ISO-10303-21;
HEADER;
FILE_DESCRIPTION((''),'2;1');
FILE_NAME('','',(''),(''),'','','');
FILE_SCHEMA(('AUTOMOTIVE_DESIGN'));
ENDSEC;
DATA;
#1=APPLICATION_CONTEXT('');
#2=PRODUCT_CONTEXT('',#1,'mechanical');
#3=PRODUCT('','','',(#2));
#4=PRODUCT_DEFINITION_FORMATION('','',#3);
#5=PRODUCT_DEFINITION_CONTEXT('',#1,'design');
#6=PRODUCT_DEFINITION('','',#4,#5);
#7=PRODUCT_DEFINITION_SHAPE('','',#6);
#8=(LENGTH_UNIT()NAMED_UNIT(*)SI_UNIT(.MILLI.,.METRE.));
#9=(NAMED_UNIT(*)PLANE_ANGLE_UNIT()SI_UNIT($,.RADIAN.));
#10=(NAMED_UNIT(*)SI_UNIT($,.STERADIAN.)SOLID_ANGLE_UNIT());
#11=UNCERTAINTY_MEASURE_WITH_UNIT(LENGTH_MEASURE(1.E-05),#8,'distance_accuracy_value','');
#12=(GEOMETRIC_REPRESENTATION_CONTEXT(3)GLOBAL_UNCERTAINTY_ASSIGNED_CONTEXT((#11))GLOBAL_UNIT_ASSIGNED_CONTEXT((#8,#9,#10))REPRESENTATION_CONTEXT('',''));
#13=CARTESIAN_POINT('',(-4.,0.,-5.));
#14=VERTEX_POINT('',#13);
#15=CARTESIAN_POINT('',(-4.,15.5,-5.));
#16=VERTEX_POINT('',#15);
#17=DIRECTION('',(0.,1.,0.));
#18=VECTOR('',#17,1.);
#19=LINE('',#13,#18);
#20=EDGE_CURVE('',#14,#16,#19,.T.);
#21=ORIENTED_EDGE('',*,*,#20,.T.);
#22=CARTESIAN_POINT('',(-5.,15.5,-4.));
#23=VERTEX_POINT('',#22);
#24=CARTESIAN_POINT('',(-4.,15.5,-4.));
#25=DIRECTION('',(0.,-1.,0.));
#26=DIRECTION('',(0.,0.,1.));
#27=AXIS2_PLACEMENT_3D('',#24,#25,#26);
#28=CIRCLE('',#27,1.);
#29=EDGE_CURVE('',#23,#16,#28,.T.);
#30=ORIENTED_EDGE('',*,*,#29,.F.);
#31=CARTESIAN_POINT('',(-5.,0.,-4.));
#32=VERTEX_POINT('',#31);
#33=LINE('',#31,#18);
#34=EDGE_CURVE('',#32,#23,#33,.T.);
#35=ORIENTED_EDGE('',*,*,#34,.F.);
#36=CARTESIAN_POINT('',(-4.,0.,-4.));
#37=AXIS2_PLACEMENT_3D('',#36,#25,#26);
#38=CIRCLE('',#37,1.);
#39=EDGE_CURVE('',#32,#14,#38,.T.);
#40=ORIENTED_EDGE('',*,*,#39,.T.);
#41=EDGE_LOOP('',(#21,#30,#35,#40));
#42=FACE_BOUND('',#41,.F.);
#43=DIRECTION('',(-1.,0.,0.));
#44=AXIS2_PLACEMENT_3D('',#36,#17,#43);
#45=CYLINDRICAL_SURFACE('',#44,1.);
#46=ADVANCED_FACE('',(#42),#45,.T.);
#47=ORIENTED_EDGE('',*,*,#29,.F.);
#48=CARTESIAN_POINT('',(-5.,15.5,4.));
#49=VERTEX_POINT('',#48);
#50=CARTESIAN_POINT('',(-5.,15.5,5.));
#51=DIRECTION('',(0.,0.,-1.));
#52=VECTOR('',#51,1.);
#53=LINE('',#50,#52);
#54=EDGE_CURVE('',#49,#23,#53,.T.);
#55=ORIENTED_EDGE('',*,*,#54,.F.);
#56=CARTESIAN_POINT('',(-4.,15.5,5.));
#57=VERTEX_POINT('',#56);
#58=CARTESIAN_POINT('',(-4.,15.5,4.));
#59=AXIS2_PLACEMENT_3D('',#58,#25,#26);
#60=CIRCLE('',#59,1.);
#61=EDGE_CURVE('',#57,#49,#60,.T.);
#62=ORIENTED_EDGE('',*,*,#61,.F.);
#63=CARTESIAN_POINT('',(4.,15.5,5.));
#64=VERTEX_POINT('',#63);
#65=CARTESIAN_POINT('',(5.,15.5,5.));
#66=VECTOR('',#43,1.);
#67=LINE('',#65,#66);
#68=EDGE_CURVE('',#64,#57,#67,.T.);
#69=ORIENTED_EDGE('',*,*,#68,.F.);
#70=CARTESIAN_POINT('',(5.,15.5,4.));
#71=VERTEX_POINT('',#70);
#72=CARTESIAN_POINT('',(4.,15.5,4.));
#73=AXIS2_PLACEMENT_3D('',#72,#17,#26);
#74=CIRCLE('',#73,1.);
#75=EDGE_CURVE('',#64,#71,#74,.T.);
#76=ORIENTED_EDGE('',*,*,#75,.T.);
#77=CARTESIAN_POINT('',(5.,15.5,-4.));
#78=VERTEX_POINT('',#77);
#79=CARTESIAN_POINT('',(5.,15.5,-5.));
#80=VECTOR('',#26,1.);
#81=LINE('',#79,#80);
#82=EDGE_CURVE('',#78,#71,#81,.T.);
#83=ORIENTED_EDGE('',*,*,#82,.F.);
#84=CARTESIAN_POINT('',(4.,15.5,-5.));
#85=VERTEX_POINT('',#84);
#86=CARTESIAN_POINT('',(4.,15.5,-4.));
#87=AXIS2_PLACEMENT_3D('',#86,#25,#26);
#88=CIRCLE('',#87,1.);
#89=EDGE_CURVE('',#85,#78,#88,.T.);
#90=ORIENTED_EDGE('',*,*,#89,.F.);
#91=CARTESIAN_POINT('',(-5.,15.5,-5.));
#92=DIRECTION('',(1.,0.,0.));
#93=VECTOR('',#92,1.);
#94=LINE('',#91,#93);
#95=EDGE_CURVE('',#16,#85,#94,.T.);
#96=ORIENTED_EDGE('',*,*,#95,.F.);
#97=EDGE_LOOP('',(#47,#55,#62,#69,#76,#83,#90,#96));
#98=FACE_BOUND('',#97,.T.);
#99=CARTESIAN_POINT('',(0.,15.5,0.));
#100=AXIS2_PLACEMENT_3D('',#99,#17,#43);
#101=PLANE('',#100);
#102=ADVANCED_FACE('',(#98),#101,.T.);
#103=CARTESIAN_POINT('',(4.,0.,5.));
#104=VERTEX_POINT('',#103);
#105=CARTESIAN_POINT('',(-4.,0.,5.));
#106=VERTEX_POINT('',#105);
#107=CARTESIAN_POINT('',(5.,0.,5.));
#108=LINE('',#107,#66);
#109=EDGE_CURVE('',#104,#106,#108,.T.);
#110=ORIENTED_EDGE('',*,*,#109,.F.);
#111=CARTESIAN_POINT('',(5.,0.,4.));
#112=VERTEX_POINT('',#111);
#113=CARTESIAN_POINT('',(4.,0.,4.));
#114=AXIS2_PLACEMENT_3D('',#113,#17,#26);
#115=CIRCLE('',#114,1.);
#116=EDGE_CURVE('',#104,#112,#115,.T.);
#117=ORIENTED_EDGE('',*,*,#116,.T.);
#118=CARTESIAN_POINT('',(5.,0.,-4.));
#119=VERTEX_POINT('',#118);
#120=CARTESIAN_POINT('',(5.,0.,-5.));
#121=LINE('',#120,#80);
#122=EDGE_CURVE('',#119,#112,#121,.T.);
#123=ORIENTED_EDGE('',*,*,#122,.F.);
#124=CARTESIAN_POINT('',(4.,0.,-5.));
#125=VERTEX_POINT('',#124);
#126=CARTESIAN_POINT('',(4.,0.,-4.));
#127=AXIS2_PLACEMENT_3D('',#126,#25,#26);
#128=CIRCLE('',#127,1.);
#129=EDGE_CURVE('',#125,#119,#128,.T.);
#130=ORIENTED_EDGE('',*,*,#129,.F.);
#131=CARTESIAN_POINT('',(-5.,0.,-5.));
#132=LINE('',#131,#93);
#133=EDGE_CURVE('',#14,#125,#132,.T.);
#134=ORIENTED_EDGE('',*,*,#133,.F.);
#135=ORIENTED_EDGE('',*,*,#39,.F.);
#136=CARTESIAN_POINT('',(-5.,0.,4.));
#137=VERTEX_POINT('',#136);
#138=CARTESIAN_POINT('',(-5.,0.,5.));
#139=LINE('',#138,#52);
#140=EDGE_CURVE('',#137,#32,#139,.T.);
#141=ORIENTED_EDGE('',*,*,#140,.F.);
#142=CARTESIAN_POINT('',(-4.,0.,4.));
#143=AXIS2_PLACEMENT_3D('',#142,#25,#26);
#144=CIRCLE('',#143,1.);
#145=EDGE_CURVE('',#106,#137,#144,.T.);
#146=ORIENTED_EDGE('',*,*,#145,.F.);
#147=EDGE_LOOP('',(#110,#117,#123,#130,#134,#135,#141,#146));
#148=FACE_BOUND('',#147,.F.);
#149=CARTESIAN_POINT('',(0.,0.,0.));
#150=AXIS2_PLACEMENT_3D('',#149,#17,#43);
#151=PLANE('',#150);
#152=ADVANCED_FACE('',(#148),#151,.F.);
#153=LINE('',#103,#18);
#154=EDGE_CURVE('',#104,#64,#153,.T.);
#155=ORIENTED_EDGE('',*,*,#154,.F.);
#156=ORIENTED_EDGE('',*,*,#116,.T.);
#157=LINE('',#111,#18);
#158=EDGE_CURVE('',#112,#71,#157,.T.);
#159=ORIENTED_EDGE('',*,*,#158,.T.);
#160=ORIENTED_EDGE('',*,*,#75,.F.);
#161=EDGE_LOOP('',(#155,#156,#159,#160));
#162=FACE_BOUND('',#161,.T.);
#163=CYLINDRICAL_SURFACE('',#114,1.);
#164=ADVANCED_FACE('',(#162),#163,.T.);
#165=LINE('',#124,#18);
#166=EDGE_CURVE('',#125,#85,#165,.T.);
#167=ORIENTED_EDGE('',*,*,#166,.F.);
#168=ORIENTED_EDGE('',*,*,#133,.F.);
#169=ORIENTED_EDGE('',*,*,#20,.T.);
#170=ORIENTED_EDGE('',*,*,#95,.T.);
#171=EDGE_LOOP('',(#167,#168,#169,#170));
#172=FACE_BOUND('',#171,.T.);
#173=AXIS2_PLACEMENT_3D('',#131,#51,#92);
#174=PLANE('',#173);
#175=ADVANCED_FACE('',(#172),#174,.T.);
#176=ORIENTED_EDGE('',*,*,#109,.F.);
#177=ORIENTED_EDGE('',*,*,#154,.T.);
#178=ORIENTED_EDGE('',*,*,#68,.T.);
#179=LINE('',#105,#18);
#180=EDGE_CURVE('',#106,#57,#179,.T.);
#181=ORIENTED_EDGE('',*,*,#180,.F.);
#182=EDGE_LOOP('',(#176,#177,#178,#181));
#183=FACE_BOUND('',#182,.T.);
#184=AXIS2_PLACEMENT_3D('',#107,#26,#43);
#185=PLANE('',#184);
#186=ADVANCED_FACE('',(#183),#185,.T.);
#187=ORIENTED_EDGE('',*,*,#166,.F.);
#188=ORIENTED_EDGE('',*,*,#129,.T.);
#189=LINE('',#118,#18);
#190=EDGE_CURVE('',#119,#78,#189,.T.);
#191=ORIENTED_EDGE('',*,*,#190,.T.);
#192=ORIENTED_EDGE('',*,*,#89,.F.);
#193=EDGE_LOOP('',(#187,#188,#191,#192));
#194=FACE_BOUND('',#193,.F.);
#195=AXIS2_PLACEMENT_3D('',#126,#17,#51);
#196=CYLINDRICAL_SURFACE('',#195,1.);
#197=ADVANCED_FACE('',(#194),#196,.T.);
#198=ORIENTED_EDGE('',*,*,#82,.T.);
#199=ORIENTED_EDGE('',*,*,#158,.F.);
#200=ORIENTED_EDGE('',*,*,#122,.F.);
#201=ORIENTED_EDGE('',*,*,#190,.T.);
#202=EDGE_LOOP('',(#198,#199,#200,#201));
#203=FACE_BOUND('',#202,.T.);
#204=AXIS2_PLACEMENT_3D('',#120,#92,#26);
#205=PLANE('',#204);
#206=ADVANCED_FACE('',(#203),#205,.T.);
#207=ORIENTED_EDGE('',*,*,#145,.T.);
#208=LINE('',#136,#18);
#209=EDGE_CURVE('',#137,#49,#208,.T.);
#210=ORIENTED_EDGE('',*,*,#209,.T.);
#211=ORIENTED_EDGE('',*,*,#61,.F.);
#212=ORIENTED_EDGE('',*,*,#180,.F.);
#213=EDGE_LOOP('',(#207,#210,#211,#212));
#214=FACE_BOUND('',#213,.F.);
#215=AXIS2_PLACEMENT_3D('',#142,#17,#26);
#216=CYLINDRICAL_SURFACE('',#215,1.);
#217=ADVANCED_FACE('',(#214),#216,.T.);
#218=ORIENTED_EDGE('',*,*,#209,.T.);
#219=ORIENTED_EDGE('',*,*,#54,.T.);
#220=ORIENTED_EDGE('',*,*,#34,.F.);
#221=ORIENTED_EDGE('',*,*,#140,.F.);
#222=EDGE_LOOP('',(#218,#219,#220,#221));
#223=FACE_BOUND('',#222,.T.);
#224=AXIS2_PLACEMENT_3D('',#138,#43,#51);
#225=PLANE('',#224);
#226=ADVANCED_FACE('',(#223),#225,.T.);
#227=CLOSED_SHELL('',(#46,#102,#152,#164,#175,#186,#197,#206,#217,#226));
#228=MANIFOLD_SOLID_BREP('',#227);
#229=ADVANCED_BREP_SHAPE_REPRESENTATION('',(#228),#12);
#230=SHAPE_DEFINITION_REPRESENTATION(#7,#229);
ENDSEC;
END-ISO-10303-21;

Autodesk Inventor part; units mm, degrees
ref_plane "YZ Plane" through (0, 0, 0) normal (1, 0, 0) x (0, 1, 0)
ref_plane "XZ Plane" through (0, 0, 0) normal (0, 1, 0) x (-1, 0, 0)
ref_plane "XY Plane" through (0, 0, 0) normal (0, 0, 1) x (1, 0, 0)
sketch "Sketch1" plane through (0, 0, 0) normal (0, 1, 0) x (-1, 0, 0)
  line L0 (-5, 5) -> (5, 5)
  line L1 (5, 5) -> (5, -5)
  line L2 (5, -5) -> (-5, -5)
  line L3 (-5, -5) -> (-5, 5)
  point P0 (0, 0)
  point P1 (0, 5)
  point P2 (5, 0)
  dimension "d0" = 10
  dimension "d1" = 10
extrude "Extrusion1" add sketch "Sketch1" along normal blind 15.5
fillet "Fillet1" radius 1 4 edges at (-5, 7.75, 5) (5, 7.75, 5) (5, 7.75, -5) (-5, 7.75, -5)
properties part number "BottomButtonStage"
